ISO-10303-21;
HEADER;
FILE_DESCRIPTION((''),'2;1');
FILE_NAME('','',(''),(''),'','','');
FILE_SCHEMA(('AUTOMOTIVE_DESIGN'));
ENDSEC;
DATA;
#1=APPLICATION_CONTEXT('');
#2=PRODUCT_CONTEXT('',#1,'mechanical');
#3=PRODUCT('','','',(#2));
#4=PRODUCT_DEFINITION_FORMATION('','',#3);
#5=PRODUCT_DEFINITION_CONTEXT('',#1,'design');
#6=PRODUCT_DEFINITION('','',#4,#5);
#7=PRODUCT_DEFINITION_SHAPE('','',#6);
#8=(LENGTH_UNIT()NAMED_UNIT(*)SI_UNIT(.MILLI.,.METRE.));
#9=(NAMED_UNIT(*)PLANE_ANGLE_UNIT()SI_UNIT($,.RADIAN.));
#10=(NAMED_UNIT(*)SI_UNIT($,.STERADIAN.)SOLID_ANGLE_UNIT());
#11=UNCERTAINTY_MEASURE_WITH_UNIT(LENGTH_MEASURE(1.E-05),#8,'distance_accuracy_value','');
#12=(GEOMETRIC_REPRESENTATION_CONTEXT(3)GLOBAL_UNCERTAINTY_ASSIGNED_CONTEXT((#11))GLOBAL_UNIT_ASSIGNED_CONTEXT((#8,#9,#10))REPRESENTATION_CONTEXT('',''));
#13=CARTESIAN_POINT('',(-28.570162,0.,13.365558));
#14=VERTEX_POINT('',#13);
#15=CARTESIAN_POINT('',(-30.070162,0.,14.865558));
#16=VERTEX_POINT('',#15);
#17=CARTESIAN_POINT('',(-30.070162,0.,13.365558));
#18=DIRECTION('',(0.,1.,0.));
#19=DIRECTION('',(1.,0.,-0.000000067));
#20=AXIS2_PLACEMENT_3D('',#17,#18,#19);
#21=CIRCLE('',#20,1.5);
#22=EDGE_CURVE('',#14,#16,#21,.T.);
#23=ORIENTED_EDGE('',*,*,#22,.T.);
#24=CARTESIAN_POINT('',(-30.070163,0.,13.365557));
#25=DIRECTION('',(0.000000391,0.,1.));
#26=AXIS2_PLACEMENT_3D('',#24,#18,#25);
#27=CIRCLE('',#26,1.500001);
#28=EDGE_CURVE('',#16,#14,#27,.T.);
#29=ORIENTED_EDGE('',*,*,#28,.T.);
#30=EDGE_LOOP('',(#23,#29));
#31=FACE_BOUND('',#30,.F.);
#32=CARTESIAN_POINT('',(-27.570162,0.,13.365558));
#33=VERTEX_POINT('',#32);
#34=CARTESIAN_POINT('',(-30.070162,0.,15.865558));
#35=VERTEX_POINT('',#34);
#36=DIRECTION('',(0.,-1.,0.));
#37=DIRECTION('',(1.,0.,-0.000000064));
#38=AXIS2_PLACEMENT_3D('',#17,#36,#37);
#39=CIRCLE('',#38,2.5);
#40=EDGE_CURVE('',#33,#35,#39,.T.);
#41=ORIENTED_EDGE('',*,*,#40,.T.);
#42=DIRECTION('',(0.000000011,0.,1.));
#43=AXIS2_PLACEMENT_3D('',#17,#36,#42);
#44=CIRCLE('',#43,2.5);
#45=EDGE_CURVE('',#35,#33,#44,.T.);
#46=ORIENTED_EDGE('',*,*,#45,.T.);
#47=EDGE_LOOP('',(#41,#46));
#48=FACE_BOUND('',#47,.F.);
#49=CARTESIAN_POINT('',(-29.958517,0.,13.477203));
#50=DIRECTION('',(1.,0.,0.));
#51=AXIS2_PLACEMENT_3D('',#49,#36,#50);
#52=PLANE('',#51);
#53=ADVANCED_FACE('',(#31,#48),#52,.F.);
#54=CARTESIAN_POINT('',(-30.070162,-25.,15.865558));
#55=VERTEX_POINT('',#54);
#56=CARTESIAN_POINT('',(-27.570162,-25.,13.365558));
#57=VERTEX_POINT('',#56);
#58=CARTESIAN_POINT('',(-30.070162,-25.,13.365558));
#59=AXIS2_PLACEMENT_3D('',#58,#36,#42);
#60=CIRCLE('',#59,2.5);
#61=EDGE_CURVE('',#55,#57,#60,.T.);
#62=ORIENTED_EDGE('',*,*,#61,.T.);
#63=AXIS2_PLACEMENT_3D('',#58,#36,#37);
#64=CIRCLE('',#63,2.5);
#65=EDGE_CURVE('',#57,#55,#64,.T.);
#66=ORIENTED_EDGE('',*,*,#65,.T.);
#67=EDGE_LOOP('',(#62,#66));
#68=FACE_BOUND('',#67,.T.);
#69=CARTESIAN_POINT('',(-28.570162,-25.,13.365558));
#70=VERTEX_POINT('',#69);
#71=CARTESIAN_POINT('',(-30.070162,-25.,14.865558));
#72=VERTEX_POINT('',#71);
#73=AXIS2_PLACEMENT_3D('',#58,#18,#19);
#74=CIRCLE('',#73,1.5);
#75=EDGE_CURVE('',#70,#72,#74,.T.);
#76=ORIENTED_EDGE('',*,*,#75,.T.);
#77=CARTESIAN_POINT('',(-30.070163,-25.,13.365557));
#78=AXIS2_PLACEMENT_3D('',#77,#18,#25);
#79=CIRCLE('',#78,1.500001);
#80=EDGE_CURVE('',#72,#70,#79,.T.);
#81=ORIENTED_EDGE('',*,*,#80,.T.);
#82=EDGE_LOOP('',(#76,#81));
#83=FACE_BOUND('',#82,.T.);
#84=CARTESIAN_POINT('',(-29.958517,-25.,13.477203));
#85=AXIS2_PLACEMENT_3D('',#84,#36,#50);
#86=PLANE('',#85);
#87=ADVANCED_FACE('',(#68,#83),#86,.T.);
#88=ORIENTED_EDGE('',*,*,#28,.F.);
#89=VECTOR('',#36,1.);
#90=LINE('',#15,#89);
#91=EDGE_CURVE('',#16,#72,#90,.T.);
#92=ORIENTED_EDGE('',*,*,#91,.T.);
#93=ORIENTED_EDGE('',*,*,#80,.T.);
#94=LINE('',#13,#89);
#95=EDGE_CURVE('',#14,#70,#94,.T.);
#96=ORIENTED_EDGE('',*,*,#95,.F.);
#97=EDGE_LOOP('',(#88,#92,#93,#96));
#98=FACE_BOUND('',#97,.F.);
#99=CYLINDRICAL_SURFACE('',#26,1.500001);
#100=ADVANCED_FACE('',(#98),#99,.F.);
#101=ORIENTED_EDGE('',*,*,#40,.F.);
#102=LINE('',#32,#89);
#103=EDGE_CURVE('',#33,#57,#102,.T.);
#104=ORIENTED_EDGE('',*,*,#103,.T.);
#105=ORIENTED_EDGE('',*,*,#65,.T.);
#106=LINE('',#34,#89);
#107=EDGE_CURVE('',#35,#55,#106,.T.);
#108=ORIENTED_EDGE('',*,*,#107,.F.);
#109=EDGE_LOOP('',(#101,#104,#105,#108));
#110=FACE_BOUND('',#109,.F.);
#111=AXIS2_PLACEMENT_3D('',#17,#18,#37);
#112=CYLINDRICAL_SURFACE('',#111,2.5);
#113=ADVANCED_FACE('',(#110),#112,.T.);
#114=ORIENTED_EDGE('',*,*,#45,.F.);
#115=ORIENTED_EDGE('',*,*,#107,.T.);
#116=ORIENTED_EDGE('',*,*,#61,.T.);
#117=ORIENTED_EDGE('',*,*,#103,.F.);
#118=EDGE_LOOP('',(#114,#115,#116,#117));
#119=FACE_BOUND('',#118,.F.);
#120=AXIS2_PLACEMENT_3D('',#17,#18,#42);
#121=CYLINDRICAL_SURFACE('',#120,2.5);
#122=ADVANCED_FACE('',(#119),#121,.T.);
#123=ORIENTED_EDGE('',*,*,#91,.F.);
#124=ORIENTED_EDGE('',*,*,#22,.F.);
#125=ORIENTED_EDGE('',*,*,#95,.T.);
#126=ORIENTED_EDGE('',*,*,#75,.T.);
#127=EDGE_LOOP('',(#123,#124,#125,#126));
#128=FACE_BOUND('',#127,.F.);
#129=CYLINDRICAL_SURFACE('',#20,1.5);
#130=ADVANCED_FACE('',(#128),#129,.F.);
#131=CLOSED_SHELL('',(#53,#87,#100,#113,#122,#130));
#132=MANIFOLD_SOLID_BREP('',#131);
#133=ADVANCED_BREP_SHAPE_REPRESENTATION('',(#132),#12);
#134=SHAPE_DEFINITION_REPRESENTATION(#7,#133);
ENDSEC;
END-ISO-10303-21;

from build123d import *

# Parameters (mm, degrees)
F1_DEPTH = 6
F2_DEPTH = 3
F3_DEPTH = 25
F4_DEPTH = 25


with BuildPart() as f1:
    # F0 (on Front) → F1 (new body)
    with BuildSketch(Plane.XZ):
        with BuildLine():
            ThreePointArc((-30.070162, 46.37237), (-35.632137, 46.568408), (-41.166509, 47.155549))
            ThreePointArc((-41.166509, 47.155549), (-30.070162, -22.199768), (-18.973814, 47.155549))
            ThreePointArc((-18.973814, 47.155549), (-24.508186, 46.568408), (-30.070162, 46.37237))
        make_face()
        with BuildLine():
            ThreePointArc((-22.570162, 13.365558), (-35.373463, 8.062257), (-30.070162, 20.865558))
            ThreePointArc((-30.070162, 20.865558), (-24.766861, 18.668859), (-22.570162, 13.365558))
        make_face(mode=Mode.SUBTRACT)
    extrude(amount=F1_DEPTH)

    # F0 (on Front) → F2 (join)
    with BuildSketch(Plane.XZ):
        with BuildLine():
            ThreePointArc((-30.070162, 56.279502), (-36.966771, 53.357463), (-41.166509, 47.155549))
            ThreePointArc((-41.166509, 47.155549), (-35.632137, 46.568408), (-30.070162, 46.37237))
            Line((-30.070162, 46.37237), (-30.070162, 50.721558))
            ThreePointArc((-30.070162, 50.721558), (-32.070162, 52.721558), (-30.070162, 54.721558))
            Line((-30.070162, 54.721558), (-30.070162, 56.279502))
        make_face()
        with BuildLine():
            ThreePointArc((-30.070162, 46.37237), (-24.508186, 46.568408), (-18.973814, 47.155549))
            ThreePointArc((-18.973814, 47.155549), (-23.173552, 53.357463), (-30.070162, 56.279502))
            Line((-30.070162, 56.279502), (-30.070162, 54.721558))
            ThreePointArc((-30.070162, 54.721558), (-28.655948, 54.135772), (-28.070162, 52.721558))
            ThreePointArc((-28.070162, 52.721558), (-28.655948, 51.307344), (-30.070162, 50.721558))
            Line((-30.070162, 50.721558), (-30.070162, 46.37237))
        make_face()
    extrude(amount=F2_DEPTH)


with BuildPart() as f3:
    # F0 (on Front) → F3 (new body)
    with BuildSketch(Plane.XZ):
        with BuildLine():
            ThreePointArc((-27.570162, 13.365558), (-28.302395, 15.133325), (-30.070162, 15.865558))
            ThreePointArc((-30.070162, 15.865558), (-31.837929, 11.597791), (-27.570162, 13.365558))
        make_face()
        with BuildLine():
            ThreePointArc((-28.570162, 13.365558), (-31.130822, 12.304898), (-30.070162, 14.865558))
            ThreePointArc((-30.070162, 14.865558), (-29.009502, 14.426218), (-28.570162, 13.365558))
        make_face(mode=Mode.SUBTRACT)
    extrude(amount=F3_DEPTH)


with BuildPart() as f4:
    # F0 (on Front) → F4 (new body)
    with BuildSketch(Plane.XZ):
        with BuildLine():
            ThreePointArc((-22.570162, 13.365558), (-24.766861, 18.668859), (-30.070162, 20.865558))
            ThreePointArc((-30.070162, 20.865558), (-35.373463, 8.062257), (-22.570162, 13.365558))
        make_face()
        with BuildLine():
            ThreePointArc((-27.570162, 13.365558), (-31.837929, 11.597791), (-30.070162, 15.865558))
            ThreePointArc((-30.070162, 15.865558), (-28.302395, 15.133325), (-27.570162, 13.365558))
        make_face(mode=Mode.SUBTRACT)
    extrude(amount=-F4_DEPTH)


solid = f3.part
